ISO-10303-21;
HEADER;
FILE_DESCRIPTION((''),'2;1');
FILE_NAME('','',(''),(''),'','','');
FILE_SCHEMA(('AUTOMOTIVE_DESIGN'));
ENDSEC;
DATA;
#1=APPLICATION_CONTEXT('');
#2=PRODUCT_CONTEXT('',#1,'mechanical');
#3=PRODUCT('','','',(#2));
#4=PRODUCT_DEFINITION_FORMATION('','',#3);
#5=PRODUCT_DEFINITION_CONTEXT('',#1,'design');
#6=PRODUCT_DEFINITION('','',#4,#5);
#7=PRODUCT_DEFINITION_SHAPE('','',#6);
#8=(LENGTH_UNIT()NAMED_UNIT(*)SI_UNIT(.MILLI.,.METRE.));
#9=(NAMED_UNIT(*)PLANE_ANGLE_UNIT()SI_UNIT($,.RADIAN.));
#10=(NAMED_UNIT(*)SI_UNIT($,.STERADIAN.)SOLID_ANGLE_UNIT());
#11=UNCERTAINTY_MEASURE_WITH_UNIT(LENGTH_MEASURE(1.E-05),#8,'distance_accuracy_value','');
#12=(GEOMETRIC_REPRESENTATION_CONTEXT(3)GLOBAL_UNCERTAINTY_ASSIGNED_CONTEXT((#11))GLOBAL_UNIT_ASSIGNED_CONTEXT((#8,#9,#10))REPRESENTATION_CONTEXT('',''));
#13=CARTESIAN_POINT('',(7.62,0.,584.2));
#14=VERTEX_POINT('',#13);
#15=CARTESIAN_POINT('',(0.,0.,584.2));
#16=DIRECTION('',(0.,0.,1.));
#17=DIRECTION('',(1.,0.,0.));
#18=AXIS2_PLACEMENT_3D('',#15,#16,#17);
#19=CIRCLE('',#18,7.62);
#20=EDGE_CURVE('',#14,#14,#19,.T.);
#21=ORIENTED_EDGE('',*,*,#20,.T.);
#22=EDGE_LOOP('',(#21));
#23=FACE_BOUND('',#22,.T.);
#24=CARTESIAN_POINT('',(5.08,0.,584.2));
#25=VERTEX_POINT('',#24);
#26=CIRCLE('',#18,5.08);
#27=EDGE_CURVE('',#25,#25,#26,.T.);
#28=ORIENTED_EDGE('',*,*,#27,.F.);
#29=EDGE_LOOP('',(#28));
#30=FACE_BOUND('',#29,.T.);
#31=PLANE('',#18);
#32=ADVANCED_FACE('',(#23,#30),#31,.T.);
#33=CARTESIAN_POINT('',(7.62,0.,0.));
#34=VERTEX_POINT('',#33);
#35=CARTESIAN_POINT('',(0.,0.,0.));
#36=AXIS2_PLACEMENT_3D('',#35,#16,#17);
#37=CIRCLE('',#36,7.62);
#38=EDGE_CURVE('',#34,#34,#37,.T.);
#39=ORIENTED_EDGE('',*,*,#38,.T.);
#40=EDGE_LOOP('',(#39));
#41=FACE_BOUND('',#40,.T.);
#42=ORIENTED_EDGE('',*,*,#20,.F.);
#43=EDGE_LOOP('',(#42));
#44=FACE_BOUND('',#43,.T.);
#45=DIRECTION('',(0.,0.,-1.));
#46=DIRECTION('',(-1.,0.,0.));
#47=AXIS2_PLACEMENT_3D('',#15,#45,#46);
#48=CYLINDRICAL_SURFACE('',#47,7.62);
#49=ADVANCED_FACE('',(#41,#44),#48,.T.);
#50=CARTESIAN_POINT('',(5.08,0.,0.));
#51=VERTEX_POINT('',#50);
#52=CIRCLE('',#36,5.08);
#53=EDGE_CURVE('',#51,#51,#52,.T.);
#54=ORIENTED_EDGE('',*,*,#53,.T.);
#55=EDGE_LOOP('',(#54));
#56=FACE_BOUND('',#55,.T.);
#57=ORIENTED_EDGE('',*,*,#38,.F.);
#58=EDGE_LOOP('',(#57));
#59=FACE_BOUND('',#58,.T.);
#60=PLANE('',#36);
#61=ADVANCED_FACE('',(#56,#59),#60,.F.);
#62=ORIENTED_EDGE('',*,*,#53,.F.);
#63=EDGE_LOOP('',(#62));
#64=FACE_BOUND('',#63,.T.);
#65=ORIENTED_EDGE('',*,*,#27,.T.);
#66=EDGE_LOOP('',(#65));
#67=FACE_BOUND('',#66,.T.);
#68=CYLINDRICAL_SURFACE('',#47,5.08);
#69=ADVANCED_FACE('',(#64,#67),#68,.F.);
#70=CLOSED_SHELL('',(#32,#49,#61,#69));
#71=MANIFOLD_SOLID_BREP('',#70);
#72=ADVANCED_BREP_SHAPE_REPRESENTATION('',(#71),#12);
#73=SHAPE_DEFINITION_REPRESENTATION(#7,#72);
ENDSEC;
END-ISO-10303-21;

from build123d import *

# Parameters (mm, degrees)
SKETCH1_R           = 7.62
SKETCH1_R_2         = 5.08
BOSS_EXTRUDE1_DEPTH = 584.2


with BuildPart() as part:
    # Sketch1 → Boss-Extrude1 (new body)
    with BuildSketch(Plane.XY):
        Circle(SKETCH1_R)
        Circle(SKETCH1_R_2, mode=Mode.SUBTRACT)
    extrude(amount=BOSS_EXTRUDE1_DEPTH)


solid = part.part
